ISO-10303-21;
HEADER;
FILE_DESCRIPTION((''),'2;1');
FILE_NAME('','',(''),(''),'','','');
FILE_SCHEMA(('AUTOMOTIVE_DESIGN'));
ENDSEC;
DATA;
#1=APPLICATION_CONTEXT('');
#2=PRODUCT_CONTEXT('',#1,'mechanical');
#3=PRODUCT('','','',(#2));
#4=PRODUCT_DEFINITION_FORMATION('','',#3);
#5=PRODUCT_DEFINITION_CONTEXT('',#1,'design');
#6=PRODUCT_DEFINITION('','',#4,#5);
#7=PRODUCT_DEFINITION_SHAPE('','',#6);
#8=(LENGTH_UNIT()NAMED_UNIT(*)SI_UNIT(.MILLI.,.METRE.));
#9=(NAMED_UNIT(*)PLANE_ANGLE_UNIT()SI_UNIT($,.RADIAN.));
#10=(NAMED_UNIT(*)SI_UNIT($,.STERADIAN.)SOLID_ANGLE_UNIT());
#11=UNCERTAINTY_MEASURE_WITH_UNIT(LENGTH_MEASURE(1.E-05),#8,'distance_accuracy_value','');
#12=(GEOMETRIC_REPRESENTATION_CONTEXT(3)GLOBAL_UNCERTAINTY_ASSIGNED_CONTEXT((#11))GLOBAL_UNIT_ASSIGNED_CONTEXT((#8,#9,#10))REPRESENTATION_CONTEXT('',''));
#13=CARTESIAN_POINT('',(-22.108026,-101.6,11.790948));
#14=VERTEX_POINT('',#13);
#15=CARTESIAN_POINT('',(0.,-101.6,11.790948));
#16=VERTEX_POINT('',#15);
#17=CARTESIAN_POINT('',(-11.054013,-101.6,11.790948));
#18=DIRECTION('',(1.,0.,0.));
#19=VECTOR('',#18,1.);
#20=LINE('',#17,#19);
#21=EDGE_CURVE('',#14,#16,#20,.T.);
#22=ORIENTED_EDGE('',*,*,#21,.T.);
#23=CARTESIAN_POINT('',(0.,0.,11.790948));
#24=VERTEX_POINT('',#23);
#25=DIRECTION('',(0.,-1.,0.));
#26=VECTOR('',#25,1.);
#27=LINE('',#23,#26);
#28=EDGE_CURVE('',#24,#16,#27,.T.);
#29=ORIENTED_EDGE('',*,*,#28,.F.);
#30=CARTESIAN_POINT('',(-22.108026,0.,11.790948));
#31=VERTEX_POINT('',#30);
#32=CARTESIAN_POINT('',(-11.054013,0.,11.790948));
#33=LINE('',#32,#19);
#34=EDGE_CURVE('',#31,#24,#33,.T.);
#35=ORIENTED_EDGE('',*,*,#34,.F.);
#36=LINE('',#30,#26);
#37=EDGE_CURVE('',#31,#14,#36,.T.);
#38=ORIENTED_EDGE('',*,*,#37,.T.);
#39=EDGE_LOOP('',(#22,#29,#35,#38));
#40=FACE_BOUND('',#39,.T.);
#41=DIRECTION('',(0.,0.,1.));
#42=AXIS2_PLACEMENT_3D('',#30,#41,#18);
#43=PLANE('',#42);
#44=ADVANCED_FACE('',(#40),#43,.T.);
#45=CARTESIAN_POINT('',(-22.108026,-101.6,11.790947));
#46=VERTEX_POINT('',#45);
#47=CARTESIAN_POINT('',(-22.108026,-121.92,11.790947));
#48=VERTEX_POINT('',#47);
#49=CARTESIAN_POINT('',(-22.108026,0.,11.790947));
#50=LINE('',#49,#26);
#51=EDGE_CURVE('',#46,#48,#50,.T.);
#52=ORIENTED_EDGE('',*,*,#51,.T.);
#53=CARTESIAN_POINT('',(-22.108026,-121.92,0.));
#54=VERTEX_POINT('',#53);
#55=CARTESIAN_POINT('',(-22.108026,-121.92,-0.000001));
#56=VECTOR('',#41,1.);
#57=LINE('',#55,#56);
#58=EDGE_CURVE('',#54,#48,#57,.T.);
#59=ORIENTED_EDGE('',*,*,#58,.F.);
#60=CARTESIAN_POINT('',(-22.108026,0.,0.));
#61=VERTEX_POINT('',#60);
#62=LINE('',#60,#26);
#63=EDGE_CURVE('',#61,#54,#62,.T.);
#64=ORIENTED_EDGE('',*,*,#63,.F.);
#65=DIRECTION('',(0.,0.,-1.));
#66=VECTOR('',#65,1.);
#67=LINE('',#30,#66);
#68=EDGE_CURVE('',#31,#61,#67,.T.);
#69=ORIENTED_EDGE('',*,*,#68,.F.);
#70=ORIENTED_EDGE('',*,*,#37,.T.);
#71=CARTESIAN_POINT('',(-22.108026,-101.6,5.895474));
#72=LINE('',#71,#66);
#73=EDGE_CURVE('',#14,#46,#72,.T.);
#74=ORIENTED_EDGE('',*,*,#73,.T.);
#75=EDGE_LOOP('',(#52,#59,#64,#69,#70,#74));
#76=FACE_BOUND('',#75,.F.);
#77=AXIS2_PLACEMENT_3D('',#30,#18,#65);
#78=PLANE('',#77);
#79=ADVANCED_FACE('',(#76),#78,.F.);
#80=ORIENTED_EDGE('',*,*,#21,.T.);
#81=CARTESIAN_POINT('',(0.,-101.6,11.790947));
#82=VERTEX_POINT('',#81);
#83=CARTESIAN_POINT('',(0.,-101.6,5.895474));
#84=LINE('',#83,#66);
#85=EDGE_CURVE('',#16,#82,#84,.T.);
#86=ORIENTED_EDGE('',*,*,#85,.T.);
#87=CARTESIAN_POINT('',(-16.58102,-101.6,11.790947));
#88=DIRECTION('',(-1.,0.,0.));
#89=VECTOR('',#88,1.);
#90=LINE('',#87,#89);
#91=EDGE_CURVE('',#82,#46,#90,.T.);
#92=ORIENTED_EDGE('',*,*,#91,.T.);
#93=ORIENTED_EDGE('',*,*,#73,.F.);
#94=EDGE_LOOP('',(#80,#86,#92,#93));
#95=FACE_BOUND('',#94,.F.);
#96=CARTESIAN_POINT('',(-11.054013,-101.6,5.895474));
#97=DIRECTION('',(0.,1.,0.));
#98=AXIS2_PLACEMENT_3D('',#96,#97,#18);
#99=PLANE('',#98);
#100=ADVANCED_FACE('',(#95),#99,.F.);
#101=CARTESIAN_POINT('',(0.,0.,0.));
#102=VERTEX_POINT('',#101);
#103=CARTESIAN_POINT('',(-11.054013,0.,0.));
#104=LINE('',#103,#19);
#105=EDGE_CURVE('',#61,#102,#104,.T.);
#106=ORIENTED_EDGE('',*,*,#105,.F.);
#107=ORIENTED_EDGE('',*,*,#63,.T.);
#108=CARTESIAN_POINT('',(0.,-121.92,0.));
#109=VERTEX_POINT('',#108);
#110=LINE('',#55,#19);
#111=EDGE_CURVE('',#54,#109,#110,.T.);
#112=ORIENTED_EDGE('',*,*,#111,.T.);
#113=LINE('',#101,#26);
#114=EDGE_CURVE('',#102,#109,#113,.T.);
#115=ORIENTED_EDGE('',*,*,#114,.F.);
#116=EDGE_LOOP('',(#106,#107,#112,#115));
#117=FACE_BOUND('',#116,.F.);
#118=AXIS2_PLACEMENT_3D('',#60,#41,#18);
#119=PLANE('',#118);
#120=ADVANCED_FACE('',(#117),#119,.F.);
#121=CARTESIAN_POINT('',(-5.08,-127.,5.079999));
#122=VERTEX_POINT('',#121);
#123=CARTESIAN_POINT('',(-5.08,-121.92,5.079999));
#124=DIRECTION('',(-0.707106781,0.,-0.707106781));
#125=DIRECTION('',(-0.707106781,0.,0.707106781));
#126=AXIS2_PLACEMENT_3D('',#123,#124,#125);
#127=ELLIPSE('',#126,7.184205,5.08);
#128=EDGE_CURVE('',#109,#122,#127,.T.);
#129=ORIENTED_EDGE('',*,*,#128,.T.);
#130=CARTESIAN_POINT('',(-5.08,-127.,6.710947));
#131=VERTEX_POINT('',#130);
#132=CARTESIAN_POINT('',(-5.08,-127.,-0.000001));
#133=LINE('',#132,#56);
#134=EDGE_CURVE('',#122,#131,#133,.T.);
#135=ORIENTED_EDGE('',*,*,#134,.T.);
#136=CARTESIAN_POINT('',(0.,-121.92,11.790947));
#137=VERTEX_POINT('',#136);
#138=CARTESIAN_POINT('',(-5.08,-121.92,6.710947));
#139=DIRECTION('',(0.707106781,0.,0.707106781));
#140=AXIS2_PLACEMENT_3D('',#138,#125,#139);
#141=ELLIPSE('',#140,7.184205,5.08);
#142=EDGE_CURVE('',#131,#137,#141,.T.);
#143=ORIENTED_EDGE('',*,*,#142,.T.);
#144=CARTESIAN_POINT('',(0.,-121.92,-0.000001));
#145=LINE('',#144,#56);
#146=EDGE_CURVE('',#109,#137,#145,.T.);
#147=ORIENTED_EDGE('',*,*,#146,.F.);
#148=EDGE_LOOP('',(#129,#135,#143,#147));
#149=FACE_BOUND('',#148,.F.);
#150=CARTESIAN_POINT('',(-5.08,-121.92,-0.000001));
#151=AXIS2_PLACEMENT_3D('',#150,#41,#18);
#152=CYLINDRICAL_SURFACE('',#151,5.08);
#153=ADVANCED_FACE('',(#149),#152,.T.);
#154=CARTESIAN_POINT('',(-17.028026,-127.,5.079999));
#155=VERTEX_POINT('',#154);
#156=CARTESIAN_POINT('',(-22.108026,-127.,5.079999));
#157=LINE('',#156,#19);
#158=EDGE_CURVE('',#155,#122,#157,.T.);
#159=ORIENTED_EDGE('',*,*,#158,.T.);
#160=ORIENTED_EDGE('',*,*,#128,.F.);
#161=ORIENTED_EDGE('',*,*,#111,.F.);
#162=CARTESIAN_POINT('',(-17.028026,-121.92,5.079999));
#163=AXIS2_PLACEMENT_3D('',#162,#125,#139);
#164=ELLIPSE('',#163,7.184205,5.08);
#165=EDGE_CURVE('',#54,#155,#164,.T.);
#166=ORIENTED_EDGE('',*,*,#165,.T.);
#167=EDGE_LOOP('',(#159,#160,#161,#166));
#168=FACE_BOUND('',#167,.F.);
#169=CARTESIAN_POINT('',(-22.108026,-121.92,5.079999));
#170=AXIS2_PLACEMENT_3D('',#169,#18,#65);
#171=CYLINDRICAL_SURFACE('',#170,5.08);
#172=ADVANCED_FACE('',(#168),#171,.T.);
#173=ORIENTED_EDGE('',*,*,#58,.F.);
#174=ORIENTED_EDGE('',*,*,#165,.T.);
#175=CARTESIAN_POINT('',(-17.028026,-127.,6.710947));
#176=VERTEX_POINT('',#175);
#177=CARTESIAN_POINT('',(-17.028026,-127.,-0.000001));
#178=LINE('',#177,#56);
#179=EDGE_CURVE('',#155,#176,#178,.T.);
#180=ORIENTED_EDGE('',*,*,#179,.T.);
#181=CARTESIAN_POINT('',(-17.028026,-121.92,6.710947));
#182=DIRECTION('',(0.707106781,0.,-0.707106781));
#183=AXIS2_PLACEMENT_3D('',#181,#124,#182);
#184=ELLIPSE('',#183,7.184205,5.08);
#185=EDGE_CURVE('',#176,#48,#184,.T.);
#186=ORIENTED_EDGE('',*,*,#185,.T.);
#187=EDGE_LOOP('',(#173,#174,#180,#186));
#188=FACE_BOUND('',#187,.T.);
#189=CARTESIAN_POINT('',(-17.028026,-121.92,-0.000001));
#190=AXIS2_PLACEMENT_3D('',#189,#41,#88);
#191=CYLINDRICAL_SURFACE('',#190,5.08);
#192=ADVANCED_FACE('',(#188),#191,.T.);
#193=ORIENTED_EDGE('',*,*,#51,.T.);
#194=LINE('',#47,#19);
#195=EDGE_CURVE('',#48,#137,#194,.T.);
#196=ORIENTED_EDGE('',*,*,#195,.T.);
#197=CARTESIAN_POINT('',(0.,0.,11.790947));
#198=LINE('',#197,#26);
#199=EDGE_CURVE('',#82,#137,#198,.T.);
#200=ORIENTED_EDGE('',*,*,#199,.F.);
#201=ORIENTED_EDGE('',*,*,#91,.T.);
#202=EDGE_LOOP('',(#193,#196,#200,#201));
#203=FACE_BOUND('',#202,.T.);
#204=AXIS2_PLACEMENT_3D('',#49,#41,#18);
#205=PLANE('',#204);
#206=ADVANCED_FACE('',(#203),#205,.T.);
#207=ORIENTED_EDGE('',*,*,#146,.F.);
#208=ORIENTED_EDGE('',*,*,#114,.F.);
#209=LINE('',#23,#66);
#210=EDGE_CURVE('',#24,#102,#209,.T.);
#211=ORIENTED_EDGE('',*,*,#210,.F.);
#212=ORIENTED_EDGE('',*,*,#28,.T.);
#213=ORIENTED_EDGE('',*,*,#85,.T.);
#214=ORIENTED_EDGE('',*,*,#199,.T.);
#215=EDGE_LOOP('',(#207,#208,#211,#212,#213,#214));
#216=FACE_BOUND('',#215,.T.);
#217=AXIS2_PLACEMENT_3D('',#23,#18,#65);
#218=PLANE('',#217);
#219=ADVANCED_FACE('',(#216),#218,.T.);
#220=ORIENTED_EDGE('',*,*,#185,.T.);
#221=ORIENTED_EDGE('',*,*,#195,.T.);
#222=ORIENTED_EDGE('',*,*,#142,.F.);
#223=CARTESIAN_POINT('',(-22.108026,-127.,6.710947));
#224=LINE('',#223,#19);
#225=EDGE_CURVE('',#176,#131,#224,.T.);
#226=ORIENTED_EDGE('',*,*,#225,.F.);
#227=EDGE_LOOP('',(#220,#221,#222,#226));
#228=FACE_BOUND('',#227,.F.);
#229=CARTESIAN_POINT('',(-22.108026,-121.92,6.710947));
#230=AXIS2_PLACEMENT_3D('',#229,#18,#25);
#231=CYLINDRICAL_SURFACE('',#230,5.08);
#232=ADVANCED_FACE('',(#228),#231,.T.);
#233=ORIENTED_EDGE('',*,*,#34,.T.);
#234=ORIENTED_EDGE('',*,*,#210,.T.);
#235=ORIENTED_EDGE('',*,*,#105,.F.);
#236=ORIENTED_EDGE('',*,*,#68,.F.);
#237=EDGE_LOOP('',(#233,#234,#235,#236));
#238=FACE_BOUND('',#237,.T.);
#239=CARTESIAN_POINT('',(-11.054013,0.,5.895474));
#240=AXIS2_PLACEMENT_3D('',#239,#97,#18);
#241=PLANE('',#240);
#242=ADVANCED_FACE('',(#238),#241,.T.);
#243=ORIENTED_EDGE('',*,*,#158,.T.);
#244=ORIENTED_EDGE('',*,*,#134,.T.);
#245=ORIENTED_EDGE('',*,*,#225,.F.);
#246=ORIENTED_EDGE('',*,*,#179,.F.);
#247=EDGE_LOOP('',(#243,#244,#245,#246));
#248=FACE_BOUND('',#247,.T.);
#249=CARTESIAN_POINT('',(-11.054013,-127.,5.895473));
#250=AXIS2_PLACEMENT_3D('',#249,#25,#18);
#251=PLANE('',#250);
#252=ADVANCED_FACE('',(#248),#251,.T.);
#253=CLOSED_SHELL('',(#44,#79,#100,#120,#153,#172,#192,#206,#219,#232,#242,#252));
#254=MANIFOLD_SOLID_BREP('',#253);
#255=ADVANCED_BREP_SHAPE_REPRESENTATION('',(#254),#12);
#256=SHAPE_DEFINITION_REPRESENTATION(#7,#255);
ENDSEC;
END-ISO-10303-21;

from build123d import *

# Parameters (mm, degrees)
F0_W      = 22.108026
F0_H      = 11.790947
F1_DEPTH  = 127
F1_FACE_W = 22.108026
F1_FACE_H = 11.790948
F2_DEPTH  = 101.6
F3_R      = 5.08


with BuildPart() as f1:
    # F0 (on Front) → F1 (new body)
    with BuildSketch(Plane.XZ):
        with Locations((-11.054013, 5.895473)):
            Rectangle(F0_W, F0_H)
    extrude(amount=F1_DEPTH)

    # F1_face (on face) → F2 (join)
    with BuildSketch(Plane(origin=(-11.054013, 0, 5.895474), x_dir=(1, 0, 0), z_dir=(0, 1, 0))):
        Rectangle(F1_FACE_W, F1_FACE_H)
    extrude(amount=-F2_DEPTH)

    # F3
    f3_edges = [f1.edges().sort_by_distance(p)[0] for p in [
        (-11.054013, -127, 11.790947),
        (-22.108026, -127, 5.895474),
        (0, -127, 5.895474),
        (-11.054013, -127, 0),
    ]]
    fillet(f3_edges, radius=F3_R)


solid = f1.part
